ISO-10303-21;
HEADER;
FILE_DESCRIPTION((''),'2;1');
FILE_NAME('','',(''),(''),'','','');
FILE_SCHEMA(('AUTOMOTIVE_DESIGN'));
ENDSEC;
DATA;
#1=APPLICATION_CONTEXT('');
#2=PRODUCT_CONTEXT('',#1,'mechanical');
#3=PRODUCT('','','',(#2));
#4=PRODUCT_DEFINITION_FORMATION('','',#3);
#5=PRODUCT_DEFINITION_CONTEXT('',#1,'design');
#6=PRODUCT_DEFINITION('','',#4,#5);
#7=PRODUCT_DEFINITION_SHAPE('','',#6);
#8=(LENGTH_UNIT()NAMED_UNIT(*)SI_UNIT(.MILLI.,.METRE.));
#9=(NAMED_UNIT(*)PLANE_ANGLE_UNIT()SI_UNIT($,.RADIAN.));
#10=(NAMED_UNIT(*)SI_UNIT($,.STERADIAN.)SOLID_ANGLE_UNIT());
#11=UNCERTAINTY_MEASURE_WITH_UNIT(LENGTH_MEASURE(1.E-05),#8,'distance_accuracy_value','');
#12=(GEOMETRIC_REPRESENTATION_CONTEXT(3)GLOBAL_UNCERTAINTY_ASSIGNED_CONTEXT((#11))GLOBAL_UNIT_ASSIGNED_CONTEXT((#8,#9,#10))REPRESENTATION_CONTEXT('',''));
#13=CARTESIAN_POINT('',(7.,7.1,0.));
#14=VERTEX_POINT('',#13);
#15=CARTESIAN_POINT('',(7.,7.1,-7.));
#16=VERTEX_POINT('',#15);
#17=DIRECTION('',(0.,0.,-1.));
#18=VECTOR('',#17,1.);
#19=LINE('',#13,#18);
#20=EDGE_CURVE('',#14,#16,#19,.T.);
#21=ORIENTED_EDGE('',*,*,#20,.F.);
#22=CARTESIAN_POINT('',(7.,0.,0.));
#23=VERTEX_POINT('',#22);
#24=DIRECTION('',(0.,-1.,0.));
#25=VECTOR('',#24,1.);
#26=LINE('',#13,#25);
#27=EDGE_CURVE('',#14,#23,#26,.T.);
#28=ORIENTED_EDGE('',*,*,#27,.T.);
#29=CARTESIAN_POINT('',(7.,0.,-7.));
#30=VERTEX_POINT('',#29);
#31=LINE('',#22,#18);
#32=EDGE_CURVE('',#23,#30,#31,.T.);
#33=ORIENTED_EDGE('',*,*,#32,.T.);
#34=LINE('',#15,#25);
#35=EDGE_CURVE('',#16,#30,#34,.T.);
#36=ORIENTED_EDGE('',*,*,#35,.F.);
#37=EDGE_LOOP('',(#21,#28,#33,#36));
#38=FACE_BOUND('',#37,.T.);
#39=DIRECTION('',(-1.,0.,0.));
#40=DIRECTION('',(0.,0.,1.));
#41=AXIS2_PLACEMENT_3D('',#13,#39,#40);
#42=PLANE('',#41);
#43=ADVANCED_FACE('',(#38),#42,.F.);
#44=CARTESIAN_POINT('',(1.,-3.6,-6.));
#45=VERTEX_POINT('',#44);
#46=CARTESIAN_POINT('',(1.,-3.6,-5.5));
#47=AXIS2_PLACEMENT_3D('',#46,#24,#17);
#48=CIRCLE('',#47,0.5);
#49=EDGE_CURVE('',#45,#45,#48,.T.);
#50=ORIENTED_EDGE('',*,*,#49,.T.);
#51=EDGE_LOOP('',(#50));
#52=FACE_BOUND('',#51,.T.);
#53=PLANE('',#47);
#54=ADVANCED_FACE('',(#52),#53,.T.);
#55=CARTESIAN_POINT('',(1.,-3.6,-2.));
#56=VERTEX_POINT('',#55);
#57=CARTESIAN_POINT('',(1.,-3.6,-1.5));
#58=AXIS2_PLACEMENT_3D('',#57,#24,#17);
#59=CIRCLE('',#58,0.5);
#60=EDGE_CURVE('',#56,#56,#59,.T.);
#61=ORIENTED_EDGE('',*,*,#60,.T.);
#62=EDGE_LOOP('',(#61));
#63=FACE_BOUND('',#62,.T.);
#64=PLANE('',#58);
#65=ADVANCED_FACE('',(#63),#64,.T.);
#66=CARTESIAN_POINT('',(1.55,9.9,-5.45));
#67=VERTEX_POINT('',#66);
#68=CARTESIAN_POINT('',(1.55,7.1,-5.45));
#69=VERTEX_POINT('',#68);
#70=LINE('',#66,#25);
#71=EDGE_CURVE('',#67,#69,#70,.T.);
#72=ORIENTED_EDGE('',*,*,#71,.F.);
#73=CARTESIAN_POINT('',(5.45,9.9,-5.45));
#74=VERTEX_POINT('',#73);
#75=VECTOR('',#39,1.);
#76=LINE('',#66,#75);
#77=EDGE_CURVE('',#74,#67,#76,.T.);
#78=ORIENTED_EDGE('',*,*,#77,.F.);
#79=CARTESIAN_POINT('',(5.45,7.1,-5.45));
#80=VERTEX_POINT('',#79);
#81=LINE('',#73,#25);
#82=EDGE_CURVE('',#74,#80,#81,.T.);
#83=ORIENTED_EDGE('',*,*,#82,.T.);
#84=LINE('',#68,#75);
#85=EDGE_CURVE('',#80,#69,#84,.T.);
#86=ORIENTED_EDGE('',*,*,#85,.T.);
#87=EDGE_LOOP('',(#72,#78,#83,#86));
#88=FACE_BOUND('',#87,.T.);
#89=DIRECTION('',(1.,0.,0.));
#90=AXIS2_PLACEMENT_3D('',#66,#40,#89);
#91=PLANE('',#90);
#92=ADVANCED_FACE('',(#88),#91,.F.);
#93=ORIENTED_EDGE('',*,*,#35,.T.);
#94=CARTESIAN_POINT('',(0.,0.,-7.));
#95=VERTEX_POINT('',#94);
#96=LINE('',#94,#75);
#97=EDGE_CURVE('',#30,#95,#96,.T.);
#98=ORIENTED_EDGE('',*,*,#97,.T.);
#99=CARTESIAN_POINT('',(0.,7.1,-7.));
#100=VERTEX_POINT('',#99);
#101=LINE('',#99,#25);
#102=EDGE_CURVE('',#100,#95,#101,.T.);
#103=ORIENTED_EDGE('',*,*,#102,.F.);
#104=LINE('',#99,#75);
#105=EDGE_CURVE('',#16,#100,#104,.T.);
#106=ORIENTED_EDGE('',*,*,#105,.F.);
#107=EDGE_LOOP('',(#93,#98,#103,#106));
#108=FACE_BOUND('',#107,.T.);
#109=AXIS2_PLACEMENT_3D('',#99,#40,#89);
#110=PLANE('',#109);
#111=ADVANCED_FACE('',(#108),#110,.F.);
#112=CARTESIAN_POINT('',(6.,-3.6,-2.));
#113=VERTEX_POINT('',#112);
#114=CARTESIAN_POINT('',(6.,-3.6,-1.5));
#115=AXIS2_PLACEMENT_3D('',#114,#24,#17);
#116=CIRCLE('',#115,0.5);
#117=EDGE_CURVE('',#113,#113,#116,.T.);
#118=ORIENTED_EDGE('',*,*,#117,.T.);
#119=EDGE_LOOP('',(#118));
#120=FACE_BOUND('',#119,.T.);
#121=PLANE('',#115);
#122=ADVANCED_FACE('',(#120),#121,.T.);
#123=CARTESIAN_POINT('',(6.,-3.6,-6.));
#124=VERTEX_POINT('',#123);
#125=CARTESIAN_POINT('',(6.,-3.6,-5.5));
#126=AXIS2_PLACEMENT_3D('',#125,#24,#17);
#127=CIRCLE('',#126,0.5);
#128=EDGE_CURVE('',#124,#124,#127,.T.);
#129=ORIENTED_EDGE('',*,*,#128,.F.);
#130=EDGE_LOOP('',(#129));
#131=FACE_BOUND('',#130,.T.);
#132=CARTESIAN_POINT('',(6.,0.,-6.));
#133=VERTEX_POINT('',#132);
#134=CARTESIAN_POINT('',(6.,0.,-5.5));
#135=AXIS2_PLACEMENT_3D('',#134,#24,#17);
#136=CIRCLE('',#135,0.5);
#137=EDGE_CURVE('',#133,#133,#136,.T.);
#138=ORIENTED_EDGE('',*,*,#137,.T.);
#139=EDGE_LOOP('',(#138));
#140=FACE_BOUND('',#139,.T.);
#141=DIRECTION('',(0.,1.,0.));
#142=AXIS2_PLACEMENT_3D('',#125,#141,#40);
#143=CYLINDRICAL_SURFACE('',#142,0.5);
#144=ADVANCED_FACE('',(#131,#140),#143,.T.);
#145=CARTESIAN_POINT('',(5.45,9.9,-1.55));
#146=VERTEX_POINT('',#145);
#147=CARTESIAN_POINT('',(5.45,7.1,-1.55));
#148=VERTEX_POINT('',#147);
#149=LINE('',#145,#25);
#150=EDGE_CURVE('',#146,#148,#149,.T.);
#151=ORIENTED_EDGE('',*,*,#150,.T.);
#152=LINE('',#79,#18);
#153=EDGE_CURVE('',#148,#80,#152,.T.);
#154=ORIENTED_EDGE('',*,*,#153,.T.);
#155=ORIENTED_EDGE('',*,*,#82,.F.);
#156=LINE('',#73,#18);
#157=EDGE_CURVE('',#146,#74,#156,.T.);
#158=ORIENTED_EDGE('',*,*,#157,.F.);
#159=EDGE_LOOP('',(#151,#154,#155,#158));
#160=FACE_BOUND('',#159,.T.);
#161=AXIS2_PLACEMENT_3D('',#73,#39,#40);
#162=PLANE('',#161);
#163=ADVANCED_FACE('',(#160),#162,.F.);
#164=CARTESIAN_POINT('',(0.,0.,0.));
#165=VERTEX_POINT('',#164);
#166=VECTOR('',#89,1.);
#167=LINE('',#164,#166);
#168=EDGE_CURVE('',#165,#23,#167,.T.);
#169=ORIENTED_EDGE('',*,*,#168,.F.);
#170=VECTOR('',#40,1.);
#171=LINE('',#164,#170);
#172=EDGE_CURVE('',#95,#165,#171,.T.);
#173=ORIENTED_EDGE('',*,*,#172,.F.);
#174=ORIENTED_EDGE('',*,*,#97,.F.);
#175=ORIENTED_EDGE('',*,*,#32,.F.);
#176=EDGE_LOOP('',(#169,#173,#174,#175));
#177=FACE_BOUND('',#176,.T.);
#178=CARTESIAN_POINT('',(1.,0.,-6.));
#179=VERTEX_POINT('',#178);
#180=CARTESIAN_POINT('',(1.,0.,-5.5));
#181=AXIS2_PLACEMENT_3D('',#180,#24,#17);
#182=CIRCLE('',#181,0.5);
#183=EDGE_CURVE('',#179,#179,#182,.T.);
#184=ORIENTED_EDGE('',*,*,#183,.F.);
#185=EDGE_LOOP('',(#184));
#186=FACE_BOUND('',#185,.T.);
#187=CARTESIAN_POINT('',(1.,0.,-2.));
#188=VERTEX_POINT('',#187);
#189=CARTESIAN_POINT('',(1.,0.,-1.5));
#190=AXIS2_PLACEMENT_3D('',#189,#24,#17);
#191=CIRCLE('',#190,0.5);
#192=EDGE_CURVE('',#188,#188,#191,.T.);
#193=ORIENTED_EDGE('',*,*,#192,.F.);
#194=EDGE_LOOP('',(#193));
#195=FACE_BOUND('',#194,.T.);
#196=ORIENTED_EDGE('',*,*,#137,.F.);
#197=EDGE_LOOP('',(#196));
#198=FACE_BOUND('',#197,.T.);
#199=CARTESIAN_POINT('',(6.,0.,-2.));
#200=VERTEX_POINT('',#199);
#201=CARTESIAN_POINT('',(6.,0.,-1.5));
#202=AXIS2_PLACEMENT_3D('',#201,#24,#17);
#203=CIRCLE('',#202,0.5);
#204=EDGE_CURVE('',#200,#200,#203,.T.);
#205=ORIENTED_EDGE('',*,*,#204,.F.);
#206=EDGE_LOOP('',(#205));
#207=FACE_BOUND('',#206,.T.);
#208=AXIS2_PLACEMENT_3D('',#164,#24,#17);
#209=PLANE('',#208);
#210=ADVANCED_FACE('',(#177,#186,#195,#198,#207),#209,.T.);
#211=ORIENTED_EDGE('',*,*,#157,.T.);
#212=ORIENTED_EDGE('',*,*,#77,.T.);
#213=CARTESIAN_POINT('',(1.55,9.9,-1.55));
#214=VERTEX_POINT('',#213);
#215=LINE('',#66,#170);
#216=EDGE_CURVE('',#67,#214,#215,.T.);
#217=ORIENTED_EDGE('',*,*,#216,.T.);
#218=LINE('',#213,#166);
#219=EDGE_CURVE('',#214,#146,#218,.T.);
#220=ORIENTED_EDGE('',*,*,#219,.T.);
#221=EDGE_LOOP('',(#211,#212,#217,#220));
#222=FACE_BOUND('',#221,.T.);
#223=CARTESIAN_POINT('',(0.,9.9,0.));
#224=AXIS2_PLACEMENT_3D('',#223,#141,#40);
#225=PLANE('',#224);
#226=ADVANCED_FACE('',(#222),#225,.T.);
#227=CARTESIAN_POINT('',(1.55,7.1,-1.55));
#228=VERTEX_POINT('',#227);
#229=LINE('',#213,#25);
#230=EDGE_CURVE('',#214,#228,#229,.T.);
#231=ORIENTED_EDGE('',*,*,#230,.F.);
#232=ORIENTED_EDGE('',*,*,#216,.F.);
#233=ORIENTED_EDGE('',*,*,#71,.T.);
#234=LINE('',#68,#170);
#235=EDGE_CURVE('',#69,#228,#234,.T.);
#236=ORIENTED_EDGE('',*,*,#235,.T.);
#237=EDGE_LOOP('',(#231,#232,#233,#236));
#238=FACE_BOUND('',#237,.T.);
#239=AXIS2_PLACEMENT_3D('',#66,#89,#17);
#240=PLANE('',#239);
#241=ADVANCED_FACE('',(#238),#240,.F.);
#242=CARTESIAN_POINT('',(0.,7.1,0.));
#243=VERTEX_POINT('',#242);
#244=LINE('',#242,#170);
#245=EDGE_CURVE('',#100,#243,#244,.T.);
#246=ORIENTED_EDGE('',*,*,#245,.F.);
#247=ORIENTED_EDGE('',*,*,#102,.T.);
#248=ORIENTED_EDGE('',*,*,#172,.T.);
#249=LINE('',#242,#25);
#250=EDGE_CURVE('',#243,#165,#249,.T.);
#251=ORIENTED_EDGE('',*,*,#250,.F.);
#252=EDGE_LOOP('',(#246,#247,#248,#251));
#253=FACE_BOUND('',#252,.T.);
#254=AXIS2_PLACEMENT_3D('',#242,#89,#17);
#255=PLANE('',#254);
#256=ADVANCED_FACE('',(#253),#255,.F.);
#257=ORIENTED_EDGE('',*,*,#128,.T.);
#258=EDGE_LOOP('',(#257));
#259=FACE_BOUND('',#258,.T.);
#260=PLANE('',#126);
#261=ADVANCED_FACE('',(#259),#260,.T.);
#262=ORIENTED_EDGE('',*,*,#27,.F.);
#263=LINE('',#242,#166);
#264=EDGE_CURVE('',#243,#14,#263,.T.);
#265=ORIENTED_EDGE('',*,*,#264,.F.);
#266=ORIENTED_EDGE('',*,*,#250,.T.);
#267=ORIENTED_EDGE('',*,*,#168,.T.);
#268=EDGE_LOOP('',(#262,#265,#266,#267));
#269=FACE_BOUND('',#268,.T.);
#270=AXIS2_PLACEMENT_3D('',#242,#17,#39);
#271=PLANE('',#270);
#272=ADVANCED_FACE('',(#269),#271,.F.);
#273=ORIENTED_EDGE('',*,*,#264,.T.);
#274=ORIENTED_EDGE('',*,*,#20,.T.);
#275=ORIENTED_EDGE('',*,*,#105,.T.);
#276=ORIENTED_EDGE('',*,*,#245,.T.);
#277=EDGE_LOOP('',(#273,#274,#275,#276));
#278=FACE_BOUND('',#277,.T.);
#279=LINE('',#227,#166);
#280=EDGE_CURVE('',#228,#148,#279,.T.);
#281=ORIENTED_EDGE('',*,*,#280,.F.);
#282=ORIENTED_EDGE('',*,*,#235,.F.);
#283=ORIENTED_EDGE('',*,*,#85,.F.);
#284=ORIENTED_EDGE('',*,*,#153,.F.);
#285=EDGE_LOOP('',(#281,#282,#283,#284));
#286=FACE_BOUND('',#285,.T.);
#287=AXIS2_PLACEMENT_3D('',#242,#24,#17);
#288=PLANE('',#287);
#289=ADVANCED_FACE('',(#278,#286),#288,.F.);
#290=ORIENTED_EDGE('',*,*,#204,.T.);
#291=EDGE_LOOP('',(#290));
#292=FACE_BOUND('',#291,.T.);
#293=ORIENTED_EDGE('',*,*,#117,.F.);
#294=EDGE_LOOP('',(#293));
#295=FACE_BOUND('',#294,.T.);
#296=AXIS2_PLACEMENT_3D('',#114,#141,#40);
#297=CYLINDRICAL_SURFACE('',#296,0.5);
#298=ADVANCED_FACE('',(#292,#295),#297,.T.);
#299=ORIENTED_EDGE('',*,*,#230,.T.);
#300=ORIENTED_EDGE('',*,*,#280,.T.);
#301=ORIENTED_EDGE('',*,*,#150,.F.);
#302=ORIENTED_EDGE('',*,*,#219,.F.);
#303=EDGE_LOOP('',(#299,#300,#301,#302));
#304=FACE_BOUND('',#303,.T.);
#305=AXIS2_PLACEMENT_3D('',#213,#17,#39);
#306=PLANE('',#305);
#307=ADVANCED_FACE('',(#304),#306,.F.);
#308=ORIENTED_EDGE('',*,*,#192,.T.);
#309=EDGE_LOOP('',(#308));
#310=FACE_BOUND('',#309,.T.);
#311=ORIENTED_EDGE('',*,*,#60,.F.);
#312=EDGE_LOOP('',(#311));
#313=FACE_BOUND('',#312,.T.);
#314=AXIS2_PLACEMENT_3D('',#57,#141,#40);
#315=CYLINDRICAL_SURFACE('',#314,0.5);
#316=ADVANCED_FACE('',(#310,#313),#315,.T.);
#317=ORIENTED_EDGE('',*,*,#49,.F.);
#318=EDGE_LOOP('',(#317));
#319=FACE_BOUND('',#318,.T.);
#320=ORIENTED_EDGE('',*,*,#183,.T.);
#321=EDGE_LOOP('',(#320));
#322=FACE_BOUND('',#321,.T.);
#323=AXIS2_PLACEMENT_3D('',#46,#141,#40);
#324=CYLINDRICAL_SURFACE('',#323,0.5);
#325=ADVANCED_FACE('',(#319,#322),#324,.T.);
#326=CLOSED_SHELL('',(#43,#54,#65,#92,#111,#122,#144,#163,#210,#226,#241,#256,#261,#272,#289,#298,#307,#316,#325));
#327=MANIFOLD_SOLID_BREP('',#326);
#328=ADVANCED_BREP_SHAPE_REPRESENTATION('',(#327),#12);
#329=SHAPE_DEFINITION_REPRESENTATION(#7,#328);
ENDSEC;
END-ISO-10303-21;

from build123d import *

# Parameters (mm, degrees)
SKETCH_1_W      = 7
SKETCH_1_H      = 7
EXTRUDE_1_DEPTH = 7.1
SKETCH_2_W      = 3.9
SKETCH_2_H      = 3.9
EXTRUDE_2_DEPTH = 2.8
SKETCH_3_R      = 0.5
EXTRUDE_3_DEPTH = 3.6


with BuildPart() as part:
    # 草图1 → 凸台-拉伸1 (new body)
    with BuildSketch(Plane(origin=(0, 0, 0), x_dir=(1, 0, 0), z_dir=(0, 1, 0))):
        with Locations((3.5, 3.5)):
            Rectangle(SKETCH_1_W, SKETCH_1_H)
    extrude(amount=EXTRUDE_1_DEPTH)

    # 草图2 → 凸台-拉伸2 (add)
    with BuildSketch(Plane(origin=(0, 7.1, 0), x_dir=(1, 0, 0), z_dir=(0, 1, 0))):
        with Locations((3.5, 3.5)):
            Rectangle(SKETCH_2_W, SKETCH_2_H)
    extrude(amount=EXTRUDE_2_DEPTH)

    # 草图3 → 凸台-拉伸3 (add)
    with BuildSketch(Plane.XZ):
        with Locations(Location((1, -1.5, 0), (0, 0, 270))):
            Circle(SKETCH_3_R)
        with Locations(Location((6, -1.5, 0), (0, 0, 270))):
            Circle(SKETCH_3_R)
        with Locations(Location((6, -5.5, 0), (0, 0, 270))):
            Circle(SKETCH_3_R)
        with Locations(Location((1, -5.5, 0), (0, 0, 270))):
            Circle(SKETCH_3_R)
    extrude(amount=EXTRUDE_3_DEPTH)


solid = part.part
